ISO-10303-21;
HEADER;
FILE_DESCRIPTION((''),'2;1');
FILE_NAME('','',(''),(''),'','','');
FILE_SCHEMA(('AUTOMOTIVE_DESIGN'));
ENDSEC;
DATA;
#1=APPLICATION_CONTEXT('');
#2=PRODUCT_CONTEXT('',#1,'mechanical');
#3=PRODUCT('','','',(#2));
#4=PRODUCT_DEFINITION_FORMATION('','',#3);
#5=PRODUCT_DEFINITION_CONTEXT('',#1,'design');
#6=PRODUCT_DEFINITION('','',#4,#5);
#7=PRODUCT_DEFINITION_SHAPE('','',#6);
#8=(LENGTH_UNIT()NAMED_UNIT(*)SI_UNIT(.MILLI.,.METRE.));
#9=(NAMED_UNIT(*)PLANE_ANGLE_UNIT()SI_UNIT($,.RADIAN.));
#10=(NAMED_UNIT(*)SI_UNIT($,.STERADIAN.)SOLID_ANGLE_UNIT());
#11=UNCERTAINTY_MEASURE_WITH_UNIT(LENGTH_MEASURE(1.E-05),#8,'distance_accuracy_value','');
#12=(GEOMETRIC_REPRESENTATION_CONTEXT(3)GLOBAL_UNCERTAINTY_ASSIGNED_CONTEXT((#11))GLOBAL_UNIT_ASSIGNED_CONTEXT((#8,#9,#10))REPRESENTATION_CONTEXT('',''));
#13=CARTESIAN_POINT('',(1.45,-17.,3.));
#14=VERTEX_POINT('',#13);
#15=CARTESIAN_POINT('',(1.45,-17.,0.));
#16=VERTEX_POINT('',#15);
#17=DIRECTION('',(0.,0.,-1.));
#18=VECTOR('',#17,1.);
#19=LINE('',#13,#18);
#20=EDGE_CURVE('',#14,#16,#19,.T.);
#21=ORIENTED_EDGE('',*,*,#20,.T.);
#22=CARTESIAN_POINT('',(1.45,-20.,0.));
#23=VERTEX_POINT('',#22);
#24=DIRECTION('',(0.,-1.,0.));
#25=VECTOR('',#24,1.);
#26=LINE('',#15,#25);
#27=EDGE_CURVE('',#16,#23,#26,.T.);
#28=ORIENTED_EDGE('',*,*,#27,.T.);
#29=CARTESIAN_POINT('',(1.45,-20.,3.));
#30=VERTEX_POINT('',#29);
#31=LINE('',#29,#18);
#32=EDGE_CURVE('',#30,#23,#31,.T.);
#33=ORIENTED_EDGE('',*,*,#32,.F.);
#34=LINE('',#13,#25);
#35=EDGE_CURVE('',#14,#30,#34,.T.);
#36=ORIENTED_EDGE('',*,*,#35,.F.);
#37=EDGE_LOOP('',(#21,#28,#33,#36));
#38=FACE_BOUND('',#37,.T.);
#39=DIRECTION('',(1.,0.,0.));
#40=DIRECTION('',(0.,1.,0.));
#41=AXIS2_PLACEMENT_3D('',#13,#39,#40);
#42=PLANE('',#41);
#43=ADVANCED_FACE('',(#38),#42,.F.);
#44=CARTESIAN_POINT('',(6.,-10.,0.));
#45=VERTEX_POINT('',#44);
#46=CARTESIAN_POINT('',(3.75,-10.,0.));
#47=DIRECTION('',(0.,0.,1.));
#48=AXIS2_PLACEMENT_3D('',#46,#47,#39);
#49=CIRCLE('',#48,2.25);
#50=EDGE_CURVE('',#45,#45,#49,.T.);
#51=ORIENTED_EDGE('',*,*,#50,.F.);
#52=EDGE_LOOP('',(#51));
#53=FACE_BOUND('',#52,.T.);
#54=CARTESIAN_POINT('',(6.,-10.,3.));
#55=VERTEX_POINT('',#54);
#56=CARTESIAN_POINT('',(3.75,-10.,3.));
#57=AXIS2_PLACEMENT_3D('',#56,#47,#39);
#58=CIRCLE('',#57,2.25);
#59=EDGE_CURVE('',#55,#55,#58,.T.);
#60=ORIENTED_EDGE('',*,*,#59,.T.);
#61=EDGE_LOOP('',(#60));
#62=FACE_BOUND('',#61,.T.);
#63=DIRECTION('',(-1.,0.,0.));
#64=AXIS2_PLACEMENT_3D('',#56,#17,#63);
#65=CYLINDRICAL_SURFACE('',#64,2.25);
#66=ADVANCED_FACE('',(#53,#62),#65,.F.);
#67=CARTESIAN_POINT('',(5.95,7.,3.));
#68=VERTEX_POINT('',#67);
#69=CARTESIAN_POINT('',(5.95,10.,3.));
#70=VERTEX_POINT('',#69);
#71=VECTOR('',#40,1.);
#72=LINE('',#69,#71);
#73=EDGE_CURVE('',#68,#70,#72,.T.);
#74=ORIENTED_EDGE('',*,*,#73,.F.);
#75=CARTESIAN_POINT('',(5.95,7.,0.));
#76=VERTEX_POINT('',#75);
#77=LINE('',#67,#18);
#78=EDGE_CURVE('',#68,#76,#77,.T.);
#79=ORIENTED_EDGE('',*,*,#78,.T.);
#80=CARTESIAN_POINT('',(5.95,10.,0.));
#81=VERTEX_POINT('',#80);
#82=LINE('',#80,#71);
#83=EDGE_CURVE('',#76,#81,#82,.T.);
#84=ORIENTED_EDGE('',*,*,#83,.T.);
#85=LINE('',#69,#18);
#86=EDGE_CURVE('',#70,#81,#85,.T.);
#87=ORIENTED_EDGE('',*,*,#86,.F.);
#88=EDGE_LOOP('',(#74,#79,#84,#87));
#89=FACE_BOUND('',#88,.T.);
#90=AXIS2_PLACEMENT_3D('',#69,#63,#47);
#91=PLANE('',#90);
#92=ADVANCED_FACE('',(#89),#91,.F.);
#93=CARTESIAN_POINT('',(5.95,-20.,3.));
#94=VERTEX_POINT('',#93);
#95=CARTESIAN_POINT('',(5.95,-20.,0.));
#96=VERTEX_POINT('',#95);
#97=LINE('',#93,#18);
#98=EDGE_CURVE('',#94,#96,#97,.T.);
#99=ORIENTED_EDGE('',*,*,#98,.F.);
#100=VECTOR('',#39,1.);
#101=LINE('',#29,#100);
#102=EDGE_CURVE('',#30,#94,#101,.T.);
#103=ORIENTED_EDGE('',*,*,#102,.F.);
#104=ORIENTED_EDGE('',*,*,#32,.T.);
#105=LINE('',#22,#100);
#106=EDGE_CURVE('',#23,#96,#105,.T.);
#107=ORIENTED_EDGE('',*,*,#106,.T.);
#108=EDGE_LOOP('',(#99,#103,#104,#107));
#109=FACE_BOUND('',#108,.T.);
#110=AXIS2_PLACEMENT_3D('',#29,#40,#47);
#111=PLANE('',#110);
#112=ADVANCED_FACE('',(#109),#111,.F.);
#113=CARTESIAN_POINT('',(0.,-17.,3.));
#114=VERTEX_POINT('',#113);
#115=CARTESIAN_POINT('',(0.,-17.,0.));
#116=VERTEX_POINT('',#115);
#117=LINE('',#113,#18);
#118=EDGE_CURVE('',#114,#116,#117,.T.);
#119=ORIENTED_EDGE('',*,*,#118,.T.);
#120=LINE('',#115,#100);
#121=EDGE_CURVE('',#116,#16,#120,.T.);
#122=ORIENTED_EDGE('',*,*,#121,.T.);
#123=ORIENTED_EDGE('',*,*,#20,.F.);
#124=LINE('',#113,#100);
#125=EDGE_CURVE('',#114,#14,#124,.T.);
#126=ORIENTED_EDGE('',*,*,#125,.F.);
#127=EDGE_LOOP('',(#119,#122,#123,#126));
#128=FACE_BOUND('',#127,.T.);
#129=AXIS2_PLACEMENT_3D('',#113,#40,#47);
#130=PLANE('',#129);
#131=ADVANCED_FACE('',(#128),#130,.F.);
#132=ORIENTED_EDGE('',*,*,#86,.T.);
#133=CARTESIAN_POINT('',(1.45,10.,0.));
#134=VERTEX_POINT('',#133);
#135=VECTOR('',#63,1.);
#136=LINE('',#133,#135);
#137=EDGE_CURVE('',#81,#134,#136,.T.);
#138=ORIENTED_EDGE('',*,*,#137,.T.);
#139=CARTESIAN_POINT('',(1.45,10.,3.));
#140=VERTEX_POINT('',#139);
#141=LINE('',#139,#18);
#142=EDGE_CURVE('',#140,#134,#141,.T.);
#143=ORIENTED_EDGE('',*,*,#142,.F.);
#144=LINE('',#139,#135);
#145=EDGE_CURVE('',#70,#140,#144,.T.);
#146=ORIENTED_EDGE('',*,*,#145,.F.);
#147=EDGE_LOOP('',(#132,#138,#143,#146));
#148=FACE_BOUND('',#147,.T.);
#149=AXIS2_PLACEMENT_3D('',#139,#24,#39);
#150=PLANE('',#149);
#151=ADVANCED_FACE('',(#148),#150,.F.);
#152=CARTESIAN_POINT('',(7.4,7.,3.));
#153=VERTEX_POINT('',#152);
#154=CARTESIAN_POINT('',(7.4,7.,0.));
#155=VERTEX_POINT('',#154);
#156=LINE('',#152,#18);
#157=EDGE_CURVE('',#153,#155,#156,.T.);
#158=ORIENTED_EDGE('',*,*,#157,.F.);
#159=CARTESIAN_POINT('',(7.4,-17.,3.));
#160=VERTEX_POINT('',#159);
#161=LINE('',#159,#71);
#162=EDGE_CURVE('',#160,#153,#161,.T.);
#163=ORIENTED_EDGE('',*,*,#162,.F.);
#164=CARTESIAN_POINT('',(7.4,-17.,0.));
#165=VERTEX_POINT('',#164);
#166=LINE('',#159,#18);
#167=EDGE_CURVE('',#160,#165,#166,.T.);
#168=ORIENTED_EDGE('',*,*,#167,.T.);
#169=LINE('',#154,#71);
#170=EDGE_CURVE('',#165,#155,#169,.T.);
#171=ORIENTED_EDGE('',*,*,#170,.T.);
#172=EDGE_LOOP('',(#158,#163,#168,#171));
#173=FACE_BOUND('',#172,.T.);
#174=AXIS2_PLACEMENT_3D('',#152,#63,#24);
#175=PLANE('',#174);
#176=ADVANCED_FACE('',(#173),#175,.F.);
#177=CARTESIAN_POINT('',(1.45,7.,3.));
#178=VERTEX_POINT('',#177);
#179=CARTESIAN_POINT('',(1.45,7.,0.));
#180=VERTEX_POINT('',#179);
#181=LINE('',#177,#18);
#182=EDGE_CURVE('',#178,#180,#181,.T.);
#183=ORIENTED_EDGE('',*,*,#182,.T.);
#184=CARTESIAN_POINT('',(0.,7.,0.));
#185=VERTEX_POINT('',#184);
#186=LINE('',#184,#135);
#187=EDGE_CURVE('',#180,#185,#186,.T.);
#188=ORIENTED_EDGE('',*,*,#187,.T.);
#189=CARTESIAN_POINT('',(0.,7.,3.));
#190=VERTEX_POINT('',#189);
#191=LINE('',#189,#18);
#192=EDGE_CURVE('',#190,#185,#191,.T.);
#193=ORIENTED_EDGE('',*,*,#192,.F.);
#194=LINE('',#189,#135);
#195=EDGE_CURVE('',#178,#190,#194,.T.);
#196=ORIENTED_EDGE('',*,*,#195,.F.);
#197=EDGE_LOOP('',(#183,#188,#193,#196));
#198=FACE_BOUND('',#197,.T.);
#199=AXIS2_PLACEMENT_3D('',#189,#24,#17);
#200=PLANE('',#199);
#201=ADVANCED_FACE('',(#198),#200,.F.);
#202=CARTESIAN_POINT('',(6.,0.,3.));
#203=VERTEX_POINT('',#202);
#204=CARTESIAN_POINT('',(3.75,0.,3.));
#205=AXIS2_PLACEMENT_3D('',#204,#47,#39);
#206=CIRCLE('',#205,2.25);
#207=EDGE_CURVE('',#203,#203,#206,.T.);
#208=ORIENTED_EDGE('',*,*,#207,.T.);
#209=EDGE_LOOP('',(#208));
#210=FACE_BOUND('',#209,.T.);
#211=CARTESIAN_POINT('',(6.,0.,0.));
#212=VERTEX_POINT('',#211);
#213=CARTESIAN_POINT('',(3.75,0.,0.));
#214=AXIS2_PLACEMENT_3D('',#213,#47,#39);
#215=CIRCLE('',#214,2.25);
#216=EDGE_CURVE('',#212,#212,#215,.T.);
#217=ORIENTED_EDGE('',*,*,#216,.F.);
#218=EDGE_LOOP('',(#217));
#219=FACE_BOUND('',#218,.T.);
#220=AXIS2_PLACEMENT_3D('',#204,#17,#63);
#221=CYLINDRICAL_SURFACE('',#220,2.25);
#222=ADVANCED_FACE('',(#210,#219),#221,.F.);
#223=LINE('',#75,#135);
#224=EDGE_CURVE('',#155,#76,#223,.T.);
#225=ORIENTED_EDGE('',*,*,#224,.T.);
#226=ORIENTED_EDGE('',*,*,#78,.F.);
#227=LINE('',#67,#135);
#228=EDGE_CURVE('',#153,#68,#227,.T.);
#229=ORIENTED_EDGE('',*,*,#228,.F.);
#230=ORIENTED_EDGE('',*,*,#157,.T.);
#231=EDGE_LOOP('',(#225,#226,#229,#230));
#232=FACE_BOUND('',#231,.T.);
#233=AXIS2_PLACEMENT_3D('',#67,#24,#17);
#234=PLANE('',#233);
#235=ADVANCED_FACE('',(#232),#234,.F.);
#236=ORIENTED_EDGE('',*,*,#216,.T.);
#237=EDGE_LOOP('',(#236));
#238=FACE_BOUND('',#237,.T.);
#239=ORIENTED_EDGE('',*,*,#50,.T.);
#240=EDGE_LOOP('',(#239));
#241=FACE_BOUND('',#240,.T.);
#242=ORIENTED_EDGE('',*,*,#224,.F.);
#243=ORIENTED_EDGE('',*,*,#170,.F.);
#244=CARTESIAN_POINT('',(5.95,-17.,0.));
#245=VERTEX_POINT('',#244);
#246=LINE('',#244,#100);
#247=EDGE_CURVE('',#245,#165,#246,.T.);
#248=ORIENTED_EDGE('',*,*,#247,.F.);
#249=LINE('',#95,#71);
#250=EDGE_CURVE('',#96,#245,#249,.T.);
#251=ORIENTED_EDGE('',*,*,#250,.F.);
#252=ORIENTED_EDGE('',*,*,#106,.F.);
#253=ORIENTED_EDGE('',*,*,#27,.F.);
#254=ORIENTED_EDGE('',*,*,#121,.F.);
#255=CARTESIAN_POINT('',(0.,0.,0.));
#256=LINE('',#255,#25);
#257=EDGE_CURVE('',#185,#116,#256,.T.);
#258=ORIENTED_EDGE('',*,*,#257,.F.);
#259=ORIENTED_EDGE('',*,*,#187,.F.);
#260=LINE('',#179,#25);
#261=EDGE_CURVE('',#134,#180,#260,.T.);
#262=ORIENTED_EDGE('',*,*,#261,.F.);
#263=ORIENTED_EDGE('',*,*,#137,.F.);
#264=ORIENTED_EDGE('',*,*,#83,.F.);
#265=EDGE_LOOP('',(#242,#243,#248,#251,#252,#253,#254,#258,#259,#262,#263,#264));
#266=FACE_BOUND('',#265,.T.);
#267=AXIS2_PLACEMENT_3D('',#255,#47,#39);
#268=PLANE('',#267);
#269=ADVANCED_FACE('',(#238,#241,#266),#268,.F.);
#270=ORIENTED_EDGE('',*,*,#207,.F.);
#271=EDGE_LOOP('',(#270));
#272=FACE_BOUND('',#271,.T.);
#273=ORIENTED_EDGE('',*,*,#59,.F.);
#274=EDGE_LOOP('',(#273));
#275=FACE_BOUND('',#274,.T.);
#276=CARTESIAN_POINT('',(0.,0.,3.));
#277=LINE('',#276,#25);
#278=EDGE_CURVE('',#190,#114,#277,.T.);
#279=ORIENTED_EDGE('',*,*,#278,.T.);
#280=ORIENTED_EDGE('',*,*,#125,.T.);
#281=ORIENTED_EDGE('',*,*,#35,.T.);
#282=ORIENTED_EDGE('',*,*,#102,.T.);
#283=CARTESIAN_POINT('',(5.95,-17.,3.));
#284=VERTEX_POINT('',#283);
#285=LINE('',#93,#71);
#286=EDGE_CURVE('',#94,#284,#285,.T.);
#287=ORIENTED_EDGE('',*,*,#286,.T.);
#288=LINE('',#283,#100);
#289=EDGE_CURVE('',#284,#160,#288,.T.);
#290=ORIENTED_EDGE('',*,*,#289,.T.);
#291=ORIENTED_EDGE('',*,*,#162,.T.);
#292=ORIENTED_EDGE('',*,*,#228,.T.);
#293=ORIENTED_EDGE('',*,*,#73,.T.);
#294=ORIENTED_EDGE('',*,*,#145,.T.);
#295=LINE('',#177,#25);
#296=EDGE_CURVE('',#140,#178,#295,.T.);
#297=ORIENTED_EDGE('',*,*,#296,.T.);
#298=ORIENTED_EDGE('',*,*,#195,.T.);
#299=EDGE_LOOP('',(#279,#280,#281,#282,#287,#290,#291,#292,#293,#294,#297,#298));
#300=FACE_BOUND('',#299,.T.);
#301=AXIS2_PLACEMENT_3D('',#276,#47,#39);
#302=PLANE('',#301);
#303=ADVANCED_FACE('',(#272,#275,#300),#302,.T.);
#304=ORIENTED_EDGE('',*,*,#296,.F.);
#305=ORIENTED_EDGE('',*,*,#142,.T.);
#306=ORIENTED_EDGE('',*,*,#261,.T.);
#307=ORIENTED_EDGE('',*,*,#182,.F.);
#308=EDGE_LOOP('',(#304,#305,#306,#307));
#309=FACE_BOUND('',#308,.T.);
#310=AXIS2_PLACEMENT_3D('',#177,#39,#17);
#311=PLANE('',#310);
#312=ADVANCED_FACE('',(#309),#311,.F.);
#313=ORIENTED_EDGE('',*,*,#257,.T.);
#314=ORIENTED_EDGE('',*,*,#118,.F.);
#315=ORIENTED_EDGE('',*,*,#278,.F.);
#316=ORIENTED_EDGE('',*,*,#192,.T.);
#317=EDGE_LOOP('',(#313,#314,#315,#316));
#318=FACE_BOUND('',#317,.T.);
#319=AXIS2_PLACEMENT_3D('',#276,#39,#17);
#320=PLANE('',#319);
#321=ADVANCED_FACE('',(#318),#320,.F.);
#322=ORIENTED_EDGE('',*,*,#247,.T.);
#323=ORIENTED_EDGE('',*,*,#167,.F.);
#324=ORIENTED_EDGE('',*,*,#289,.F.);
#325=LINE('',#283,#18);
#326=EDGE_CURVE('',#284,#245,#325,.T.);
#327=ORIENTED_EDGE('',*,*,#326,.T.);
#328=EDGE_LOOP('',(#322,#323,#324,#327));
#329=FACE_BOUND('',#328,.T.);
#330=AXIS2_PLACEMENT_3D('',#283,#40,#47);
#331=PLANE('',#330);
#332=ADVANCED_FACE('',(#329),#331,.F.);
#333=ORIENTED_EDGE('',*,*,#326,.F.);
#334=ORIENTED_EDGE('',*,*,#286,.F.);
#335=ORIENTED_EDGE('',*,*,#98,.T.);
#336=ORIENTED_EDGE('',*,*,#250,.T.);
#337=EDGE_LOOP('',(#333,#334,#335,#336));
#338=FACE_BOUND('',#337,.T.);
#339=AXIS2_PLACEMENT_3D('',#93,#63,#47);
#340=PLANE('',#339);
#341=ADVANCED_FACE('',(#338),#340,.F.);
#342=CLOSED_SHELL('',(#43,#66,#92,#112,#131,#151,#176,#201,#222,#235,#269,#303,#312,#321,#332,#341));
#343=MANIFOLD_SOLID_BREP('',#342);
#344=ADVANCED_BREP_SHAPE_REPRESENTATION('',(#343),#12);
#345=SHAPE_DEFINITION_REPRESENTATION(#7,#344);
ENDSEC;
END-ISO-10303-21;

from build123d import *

# Parameters (mm, degrees)
SKETCH_1_R      = 2.25
EXTRUDE_2_DEPTH = 3


with BuildPart() as part:
    # ｽｹｯﾁ1 → ﾎﾞｽ - 押し出し2 (new body)
    with BuildSketch(Plane.XY):
        Polygon((0, 0), (0, 7), (1.45, 7), (1.45, 10), (5.95, 10), (5.95, 7), (7.4, 7), (7.4, 0), (7.4, -17), (5.95, -17), (5.95, -20), (1.45, -20), (1.45, -17), (0, -17), align=None)
        with Locations((3.75, 0)):
            Circle(SKETCH_1_R, mode=Mode.SUBTRACT)
        with Locations((3.75, -10)):
            Circle(SKETCH_1_R, mode=Mode.SUBTRACT)
    extrude(amount=EXTRUDE_2_DEPTH)


solid = part.part
